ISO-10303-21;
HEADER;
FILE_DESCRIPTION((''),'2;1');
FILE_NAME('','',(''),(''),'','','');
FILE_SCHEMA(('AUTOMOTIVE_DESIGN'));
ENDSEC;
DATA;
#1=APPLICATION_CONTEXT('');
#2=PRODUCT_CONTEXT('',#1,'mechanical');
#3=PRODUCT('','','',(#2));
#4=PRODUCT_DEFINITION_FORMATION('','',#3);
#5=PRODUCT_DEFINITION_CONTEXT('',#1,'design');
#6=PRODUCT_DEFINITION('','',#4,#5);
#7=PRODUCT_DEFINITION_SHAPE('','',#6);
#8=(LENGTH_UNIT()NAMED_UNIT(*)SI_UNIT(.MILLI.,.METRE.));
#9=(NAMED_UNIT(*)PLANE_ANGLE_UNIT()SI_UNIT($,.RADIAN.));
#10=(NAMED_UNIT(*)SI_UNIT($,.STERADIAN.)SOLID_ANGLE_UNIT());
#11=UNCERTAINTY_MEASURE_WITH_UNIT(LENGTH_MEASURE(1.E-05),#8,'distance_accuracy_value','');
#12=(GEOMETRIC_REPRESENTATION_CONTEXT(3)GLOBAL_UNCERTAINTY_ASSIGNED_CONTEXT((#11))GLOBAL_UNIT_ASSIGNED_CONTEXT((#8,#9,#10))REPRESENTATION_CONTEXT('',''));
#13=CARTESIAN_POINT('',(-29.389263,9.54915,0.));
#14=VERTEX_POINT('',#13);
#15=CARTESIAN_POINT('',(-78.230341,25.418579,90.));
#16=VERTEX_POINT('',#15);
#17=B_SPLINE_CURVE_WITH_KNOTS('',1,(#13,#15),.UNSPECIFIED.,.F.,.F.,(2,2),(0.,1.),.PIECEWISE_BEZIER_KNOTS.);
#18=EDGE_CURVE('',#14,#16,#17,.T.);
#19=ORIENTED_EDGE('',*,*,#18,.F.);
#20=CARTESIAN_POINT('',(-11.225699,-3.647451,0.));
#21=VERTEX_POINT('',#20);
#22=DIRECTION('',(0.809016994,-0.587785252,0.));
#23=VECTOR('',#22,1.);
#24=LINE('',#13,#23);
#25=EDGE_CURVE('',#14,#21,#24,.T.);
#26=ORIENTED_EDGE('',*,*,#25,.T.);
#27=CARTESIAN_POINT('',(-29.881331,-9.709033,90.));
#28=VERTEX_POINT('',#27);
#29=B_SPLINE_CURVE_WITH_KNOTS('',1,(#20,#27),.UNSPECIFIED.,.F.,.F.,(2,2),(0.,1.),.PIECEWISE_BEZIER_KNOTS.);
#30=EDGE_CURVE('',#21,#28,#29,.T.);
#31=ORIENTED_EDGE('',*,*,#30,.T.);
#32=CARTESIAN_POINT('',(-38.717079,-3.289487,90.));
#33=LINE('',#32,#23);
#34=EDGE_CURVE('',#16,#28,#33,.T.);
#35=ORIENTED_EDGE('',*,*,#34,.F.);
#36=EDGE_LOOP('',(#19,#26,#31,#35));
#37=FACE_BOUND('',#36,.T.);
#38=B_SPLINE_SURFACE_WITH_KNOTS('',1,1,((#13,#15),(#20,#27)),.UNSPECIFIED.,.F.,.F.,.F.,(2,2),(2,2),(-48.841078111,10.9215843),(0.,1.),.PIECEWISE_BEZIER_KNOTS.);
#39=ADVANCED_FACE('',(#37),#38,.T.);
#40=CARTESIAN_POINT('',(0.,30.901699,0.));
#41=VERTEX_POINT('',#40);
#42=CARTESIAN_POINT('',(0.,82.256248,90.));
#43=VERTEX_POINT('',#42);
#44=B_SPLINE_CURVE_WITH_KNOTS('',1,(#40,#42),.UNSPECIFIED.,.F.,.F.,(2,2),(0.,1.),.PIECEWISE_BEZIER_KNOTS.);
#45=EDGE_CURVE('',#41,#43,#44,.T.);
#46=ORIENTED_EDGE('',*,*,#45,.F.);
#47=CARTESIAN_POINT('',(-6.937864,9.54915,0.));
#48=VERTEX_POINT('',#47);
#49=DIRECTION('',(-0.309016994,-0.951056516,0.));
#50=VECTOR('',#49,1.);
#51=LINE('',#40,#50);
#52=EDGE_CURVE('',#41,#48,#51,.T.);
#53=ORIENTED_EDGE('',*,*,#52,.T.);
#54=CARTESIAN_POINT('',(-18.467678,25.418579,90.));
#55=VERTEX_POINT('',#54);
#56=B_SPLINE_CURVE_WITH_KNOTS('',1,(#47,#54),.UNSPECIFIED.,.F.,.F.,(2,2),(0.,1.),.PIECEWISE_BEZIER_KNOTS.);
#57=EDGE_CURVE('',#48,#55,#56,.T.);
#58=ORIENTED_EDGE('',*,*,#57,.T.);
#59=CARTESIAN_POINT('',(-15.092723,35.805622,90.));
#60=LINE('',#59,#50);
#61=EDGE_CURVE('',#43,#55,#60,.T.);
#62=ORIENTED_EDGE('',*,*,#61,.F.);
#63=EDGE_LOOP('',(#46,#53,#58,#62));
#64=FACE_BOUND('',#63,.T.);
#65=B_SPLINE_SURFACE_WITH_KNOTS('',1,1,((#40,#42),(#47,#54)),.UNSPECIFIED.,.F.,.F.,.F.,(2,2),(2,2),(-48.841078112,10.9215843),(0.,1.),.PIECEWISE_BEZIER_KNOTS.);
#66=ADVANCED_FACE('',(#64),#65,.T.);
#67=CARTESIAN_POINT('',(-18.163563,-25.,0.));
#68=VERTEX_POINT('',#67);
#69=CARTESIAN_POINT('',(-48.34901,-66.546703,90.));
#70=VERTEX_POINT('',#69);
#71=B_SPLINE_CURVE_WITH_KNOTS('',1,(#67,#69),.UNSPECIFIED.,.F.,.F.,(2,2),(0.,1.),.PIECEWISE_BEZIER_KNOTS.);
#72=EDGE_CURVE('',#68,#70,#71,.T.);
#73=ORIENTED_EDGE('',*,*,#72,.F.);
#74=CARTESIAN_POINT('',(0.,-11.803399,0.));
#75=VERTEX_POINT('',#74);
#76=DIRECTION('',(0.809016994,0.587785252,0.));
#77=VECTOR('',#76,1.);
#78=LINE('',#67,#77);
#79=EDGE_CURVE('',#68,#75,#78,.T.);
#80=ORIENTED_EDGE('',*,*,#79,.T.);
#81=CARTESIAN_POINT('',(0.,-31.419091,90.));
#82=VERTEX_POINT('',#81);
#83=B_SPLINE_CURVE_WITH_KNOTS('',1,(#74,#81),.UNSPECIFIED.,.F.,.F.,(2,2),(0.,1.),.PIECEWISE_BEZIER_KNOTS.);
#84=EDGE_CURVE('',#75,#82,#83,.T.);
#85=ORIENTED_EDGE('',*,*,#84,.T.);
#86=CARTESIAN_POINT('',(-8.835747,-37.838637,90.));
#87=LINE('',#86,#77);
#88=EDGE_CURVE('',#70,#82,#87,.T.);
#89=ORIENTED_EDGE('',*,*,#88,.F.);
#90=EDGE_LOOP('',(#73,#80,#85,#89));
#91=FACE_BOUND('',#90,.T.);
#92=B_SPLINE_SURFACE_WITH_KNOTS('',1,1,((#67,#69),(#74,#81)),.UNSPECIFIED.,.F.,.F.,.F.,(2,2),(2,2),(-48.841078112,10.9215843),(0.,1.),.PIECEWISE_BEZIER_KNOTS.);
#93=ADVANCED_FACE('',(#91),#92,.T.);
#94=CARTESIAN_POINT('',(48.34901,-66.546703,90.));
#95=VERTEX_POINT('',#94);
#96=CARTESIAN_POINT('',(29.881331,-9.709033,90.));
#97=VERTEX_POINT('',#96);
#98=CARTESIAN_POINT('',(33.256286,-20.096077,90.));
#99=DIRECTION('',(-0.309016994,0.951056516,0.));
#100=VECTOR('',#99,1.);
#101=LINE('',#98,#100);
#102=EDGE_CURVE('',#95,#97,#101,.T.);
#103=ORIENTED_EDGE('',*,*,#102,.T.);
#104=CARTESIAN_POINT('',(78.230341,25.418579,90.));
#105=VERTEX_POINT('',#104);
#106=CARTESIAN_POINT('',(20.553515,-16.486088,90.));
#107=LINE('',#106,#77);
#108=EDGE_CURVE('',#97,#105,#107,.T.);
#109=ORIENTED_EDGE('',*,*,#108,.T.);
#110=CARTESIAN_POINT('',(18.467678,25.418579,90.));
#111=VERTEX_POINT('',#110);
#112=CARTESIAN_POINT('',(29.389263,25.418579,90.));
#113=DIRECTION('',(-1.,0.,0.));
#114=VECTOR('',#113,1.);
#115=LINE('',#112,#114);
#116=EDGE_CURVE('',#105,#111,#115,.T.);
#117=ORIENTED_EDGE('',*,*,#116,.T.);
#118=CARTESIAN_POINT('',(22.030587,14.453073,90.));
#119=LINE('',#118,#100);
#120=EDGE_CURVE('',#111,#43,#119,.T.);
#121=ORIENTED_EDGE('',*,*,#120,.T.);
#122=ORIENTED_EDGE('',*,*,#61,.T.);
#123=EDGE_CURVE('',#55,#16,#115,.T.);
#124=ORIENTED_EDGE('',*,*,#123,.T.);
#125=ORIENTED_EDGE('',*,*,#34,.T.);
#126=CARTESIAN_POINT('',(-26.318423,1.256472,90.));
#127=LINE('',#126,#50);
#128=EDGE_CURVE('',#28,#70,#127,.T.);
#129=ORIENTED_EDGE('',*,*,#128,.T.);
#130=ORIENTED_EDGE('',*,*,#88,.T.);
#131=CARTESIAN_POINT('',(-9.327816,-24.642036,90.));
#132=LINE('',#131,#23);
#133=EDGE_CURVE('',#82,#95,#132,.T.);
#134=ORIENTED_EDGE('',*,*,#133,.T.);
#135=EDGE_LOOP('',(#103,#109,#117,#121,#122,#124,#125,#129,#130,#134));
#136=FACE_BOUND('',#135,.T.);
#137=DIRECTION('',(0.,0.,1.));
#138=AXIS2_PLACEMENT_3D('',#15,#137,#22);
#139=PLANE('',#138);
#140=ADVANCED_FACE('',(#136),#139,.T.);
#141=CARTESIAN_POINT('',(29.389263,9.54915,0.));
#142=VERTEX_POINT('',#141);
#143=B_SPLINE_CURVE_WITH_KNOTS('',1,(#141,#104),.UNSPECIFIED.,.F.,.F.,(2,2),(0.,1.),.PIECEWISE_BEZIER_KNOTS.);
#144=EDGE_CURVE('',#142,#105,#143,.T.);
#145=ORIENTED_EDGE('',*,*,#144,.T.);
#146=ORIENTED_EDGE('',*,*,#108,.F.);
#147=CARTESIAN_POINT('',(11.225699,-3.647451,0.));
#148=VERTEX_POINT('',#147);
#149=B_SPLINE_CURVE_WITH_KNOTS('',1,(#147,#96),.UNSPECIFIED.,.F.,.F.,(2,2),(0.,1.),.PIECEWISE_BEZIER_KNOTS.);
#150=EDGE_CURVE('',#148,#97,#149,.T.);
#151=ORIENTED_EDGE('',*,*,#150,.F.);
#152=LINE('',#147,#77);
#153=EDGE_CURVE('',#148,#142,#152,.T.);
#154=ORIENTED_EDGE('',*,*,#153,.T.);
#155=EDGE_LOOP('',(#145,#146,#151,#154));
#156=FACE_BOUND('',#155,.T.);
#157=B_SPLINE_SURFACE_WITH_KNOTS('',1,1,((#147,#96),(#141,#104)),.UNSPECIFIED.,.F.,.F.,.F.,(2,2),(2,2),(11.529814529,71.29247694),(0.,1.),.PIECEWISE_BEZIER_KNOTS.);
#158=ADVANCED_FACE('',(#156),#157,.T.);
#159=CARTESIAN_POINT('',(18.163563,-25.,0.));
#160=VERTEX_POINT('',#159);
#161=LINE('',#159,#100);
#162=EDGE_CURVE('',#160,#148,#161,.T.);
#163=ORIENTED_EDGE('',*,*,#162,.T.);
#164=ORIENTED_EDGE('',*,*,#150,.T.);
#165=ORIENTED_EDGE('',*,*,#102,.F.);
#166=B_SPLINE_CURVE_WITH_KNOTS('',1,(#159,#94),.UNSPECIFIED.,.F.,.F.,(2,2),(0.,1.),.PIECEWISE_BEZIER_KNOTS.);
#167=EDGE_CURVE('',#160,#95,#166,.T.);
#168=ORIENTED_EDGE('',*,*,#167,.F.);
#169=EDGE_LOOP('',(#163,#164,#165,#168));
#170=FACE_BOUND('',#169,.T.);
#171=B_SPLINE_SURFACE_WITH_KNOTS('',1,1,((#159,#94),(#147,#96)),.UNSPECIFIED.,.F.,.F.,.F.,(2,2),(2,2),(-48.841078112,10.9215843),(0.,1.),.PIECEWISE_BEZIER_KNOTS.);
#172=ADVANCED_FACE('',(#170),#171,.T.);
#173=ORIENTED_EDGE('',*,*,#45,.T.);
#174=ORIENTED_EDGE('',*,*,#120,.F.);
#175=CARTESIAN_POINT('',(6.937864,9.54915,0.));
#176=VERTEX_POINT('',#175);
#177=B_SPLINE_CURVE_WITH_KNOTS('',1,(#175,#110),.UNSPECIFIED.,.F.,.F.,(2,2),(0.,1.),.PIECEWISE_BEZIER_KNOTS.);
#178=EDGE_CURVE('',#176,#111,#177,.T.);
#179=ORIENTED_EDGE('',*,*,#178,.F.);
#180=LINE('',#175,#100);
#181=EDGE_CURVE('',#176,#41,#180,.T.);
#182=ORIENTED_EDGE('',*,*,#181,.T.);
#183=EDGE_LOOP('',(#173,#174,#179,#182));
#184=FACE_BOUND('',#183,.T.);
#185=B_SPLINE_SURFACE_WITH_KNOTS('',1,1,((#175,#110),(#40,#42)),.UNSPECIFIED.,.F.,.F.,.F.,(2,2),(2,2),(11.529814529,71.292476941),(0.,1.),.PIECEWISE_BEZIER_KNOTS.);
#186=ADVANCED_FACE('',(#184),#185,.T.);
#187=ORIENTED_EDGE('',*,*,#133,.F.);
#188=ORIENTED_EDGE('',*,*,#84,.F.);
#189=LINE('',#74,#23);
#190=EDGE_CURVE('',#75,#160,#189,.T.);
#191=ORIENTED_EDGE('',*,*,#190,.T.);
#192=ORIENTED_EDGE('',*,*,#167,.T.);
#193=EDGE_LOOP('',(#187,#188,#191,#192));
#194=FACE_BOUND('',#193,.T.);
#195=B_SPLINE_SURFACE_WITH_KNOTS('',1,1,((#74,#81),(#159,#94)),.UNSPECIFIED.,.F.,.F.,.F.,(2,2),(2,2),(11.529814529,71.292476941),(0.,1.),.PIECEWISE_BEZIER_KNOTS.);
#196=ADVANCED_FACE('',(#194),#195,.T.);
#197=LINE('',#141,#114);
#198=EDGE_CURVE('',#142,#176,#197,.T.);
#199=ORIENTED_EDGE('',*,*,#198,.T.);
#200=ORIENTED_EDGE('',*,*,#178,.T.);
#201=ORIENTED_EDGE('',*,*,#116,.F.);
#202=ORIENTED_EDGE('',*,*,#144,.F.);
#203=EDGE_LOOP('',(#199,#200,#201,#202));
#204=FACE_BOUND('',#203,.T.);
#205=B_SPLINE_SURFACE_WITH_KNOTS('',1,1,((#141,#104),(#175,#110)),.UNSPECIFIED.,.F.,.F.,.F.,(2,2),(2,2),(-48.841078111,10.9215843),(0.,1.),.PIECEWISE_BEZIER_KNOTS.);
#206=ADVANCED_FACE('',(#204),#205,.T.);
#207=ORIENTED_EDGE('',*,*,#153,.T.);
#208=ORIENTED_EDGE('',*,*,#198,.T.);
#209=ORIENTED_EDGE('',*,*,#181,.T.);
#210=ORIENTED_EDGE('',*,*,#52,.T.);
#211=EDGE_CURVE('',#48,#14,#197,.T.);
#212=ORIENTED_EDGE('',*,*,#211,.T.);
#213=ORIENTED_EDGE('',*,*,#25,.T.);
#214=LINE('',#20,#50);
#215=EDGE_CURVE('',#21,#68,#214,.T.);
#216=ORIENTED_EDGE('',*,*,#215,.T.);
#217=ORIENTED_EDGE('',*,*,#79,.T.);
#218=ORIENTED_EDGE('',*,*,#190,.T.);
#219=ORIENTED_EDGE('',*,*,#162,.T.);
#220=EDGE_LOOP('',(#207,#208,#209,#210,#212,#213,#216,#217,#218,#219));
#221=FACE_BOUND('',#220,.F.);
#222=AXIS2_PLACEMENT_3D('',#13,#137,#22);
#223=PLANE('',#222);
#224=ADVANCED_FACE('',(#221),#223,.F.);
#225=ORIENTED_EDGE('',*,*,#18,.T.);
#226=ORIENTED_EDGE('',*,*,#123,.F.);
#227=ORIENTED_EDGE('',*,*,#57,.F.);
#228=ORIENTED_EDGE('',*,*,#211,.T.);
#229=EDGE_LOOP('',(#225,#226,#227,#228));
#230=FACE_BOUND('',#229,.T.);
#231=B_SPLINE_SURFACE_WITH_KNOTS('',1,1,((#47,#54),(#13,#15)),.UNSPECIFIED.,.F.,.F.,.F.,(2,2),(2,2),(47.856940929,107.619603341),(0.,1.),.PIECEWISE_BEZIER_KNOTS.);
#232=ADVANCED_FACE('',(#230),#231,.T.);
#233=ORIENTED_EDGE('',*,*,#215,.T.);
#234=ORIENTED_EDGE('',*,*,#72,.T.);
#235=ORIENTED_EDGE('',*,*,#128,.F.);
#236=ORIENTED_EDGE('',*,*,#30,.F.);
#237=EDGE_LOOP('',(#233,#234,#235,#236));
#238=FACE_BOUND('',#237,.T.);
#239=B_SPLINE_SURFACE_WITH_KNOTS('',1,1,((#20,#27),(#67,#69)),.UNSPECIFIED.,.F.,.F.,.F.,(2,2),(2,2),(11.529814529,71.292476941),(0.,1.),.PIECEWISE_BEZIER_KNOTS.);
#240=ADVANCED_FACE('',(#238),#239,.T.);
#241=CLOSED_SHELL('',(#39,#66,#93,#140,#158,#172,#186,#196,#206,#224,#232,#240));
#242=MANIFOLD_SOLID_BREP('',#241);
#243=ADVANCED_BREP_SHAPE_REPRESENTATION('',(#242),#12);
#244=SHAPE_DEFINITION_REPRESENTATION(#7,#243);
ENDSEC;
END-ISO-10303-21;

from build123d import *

# Parameters (mm, degrees)
F2_DEPTH = 90
F2_TAPER = -10


with BuildPart() as f2:
    # F0 (on Top) → F2 (new body)
    with BuildSketch(Plane.XY):
        Polygon((-6.9378637856, 9.5491502813), (-29.3892626146, 9.5491502813), (-11.2256994145, -3.6474508438), align=None)
        Polygon((0, -11.803398875), (-11.2256994145, -3.6474508438), (-18.1635632001, -25), align=None)
        Polygon((11.2256994145, -3.6474508438), (0, -11.803398875), (18.1635632001, -25), align=None)
        Polygon((6.9378637856, 9.5491502813), (-6.9378637856, 9.5491502813), (-11.2256994145, -3.6474508438), (0, -11.803398875), (11.2256994145, -3.6474508438), align=None)
        Polygon((29.3892626146, 9.5491502813), (6.9378637856, 9.5491502813), (11.2256994145, -3.6474508438), align=None)
        Polygon((0, 30.9016994375), (-6.9378637856, 9.5491502813), (6.9378637856, 9.5491502813), align=None)
    extrude(amount=F2_DEPTH, taper=F2_TAPER)


solid = f2.part
